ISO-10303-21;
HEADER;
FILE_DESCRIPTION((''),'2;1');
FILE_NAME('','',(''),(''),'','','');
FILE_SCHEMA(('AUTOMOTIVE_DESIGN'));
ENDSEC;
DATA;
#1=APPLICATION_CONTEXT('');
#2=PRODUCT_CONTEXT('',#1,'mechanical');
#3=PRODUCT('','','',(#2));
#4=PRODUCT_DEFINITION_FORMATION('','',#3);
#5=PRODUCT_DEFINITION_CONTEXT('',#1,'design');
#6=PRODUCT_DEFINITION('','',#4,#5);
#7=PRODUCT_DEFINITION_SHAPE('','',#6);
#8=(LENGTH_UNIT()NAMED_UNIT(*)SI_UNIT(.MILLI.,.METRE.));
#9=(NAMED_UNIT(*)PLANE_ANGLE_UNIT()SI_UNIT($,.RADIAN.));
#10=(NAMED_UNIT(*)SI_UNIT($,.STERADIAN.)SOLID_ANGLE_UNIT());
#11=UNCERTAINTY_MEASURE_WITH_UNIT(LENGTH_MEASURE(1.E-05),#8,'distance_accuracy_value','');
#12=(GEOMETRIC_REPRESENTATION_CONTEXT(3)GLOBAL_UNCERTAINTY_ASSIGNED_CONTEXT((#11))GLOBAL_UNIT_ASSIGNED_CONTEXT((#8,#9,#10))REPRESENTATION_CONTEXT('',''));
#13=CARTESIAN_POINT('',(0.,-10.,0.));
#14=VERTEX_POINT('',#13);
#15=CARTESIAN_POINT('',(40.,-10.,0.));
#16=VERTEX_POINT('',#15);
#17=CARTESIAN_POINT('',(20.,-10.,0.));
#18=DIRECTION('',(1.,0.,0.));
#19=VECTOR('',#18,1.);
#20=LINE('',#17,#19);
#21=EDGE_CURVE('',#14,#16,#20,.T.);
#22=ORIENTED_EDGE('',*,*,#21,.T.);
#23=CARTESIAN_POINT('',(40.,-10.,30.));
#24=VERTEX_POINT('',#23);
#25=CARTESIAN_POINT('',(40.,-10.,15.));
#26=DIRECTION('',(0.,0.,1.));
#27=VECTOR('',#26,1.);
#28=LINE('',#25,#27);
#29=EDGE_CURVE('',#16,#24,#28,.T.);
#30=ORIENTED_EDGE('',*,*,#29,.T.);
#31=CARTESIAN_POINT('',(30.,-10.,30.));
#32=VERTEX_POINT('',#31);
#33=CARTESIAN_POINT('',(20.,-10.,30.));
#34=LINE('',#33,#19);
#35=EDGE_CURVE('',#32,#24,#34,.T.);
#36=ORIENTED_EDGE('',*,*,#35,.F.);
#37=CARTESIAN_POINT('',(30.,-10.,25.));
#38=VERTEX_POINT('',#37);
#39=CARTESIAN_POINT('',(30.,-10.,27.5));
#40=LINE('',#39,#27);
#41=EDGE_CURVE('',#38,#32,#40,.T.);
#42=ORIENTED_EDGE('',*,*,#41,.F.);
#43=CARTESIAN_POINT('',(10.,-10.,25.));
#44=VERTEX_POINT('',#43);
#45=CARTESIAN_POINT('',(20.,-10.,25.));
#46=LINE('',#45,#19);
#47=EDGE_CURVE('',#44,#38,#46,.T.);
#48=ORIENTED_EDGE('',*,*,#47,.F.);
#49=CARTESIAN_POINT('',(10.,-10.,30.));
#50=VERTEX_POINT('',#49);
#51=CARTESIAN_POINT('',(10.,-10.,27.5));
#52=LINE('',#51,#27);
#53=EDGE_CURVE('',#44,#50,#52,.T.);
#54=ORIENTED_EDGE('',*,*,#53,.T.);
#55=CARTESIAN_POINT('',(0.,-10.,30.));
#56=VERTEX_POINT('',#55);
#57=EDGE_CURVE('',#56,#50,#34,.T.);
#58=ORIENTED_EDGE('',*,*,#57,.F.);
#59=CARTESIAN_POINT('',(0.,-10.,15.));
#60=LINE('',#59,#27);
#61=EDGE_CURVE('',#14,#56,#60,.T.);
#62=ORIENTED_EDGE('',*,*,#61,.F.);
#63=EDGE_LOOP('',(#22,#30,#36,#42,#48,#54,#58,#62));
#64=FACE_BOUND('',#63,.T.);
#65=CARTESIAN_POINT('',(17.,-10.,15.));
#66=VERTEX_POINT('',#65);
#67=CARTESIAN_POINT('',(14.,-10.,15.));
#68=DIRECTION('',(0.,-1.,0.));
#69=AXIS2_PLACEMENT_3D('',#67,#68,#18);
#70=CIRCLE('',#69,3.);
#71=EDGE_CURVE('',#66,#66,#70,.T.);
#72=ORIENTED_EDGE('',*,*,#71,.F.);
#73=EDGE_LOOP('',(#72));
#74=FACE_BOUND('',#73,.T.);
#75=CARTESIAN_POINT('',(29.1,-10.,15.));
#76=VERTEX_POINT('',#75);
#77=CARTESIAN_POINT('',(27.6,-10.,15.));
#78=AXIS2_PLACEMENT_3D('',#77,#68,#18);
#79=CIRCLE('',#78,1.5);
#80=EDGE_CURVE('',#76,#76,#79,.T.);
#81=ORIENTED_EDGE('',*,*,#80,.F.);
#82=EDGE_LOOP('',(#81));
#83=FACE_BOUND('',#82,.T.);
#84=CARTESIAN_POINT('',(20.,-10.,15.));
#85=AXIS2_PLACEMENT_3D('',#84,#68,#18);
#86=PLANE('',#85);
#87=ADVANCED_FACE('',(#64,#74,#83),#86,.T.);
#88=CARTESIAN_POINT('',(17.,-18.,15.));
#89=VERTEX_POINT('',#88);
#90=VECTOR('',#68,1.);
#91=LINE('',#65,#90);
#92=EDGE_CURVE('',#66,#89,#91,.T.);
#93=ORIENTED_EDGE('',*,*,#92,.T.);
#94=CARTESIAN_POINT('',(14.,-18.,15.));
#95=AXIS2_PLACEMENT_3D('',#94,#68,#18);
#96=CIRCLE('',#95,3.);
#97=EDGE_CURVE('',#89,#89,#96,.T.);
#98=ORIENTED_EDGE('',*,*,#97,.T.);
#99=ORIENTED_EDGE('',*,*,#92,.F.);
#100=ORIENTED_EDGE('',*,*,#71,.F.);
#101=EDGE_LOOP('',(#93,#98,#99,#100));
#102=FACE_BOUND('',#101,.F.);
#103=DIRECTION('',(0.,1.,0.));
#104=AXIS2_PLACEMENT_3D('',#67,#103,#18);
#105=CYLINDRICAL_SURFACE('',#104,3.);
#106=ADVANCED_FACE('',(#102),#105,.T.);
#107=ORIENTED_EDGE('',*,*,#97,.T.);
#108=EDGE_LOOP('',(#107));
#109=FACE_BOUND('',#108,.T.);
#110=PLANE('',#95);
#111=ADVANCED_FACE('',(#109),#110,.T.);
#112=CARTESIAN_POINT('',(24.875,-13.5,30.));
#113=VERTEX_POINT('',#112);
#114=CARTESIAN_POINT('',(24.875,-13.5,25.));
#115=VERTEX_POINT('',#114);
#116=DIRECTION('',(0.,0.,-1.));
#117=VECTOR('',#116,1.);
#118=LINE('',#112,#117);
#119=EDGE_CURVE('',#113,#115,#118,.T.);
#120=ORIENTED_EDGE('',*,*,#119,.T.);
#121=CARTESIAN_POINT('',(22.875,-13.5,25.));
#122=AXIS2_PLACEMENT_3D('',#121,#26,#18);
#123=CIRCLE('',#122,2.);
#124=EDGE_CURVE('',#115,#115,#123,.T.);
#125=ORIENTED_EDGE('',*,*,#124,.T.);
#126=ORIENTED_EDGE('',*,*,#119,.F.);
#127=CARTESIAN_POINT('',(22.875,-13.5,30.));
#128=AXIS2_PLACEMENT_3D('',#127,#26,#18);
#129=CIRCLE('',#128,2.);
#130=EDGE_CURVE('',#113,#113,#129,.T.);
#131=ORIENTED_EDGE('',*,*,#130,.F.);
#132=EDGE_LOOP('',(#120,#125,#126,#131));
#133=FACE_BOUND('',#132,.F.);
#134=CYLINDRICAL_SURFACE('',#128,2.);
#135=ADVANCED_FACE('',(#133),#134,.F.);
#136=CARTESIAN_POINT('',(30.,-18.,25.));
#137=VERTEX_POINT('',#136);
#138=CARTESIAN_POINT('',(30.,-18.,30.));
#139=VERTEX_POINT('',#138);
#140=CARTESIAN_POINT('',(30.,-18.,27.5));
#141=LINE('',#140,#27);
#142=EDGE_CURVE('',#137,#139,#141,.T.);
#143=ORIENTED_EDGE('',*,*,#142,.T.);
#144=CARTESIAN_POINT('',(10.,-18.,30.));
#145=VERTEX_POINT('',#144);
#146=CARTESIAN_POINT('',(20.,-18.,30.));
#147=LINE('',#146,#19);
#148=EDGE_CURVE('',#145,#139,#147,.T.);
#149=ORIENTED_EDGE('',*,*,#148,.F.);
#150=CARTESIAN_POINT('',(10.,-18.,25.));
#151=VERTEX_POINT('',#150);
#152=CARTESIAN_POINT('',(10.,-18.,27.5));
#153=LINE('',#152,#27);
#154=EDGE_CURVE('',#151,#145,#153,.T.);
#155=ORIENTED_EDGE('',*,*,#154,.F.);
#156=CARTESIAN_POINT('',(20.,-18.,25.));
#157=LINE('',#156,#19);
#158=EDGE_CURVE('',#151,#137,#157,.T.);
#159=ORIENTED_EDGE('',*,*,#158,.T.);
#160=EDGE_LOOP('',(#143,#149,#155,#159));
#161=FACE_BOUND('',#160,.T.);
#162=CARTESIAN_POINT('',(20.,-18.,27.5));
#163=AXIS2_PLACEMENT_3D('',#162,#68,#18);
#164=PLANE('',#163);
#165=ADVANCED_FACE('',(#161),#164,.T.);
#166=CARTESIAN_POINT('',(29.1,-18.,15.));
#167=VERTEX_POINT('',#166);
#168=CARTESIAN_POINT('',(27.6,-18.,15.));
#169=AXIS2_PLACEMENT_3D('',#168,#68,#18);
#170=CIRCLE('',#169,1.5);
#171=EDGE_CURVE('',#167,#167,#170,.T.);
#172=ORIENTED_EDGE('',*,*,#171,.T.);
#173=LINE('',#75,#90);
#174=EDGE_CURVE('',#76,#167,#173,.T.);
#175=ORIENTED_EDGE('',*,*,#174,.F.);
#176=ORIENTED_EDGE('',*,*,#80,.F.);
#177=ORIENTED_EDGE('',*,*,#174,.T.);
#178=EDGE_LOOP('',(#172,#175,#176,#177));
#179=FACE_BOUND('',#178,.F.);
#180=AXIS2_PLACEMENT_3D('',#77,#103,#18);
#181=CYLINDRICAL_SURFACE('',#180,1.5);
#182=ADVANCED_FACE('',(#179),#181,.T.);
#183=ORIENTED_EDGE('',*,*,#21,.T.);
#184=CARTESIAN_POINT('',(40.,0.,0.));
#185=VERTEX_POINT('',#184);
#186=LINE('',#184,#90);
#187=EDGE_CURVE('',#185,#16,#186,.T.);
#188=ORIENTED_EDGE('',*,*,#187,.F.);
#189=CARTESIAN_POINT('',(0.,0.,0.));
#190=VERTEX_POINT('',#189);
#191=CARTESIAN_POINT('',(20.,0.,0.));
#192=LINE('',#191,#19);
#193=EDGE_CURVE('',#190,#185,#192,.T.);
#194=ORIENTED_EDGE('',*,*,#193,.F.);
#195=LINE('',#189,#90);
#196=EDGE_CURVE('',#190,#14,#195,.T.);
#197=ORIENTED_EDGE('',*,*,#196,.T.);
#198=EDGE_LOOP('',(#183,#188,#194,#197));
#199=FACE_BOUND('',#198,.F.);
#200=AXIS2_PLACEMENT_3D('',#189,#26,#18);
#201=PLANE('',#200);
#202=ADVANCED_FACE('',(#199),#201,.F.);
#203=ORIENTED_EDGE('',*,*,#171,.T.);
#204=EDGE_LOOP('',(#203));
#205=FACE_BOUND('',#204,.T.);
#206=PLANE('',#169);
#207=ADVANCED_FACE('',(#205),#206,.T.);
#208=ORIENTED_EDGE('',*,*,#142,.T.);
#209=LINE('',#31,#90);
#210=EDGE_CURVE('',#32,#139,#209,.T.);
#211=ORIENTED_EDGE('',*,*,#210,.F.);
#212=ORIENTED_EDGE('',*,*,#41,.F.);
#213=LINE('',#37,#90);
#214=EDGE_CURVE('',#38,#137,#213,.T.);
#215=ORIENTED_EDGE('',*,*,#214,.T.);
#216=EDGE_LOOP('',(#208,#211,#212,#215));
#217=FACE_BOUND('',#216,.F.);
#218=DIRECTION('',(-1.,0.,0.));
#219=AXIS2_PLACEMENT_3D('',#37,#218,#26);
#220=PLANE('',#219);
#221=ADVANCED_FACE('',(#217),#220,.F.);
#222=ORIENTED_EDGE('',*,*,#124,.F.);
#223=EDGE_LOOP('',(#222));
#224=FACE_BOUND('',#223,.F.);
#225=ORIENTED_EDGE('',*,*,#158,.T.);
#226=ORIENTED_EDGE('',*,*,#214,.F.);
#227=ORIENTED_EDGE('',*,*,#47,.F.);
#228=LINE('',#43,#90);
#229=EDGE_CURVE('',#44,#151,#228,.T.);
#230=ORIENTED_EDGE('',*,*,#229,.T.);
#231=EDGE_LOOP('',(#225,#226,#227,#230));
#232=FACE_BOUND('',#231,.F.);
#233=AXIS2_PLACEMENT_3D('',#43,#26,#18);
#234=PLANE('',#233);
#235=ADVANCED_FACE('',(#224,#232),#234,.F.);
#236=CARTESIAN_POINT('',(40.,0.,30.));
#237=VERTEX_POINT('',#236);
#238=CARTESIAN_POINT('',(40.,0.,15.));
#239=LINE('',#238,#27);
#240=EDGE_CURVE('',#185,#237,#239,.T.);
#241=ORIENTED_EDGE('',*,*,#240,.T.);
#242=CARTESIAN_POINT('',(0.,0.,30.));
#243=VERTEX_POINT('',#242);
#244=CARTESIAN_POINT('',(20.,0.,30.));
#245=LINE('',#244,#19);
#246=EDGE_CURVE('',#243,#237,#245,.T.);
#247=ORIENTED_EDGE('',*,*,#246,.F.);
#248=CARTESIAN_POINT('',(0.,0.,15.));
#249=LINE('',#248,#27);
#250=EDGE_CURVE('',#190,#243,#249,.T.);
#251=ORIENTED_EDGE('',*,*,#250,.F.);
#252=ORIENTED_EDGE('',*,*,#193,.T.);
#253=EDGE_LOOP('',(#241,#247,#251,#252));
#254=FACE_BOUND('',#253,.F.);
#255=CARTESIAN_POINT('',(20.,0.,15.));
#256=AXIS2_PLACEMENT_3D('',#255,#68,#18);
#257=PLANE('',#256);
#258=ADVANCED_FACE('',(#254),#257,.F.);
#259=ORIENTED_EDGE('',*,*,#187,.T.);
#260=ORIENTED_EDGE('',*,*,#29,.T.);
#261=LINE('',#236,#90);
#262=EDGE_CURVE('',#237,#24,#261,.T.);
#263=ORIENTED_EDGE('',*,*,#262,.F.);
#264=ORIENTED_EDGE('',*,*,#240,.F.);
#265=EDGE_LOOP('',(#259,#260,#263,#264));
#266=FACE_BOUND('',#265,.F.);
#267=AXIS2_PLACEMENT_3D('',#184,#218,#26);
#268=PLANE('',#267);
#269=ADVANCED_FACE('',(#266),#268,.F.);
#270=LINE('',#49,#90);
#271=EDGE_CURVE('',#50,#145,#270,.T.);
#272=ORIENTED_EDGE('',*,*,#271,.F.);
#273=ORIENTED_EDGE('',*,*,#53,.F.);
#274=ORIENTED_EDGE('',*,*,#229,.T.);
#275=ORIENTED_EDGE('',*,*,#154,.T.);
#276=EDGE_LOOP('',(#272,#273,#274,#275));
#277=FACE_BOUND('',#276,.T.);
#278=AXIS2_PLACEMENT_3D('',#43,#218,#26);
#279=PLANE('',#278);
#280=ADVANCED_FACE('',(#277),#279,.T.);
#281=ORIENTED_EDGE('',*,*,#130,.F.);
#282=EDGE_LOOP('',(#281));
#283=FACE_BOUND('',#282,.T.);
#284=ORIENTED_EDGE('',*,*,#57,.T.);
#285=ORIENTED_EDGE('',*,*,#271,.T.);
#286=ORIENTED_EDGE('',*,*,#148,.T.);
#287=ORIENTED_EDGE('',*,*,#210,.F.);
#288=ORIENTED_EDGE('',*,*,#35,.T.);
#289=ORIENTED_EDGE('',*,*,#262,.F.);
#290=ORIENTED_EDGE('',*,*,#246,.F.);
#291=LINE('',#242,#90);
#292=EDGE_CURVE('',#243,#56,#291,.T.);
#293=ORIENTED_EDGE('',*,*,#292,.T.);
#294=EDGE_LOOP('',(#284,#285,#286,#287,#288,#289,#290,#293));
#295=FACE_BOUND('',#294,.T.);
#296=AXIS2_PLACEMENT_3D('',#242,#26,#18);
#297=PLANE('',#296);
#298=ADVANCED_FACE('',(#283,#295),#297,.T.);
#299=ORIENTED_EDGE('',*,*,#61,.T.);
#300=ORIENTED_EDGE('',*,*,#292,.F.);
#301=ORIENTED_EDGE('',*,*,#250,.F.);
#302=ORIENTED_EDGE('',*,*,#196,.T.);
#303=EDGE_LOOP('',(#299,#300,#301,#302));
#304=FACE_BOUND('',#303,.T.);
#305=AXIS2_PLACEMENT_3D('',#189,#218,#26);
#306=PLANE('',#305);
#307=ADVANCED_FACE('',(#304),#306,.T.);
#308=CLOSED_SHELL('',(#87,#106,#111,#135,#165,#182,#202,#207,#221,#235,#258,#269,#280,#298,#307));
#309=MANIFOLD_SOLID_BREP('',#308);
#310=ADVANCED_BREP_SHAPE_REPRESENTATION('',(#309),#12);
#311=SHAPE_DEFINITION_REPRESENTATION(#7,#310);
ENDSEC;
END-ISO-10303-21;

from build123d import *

# Parameters (mm, degrees)
F0_W     = 40
F0_H     = 30
F1_DEPTH = 10
F2_R     = 3
F2_R_2   = 1.5
F2_W     = 20
F2_H     = 5
F3_DEPTH = 8
F4_R     = 2
F5_DEPTH = 5


with BuildPart() as f1:
    # F0 (on Front) → F1 (new body)
    with BuildSketch(Plane.XZ):
        with Locations((20, 15)):
            Rectangle(F0_W, F0_H)
    extrude(amount=F1_DEPTH)

    # F2 (on face) → F3 (join)
    with BuildSketch(Plane.XZ.offset(10)):
        with Locations((14, 15)):
            Circle(F2_R)
        with Locations((27.6, 15)):
            Circle(F2_R_2)
        with Locations((20, 27.5)):
            Rectangle(F2_W, F2_H)
    extrude(amount=F3_DEPTH)

    # F4 (on face) → F5 (cut, through all)
    with BuildSketch(Plane.XY.offset(30)):
        with Locations((22.875, -13.5)):
            Circle(F4_R)
    extrude(amount=-F5_DEPTH, mode=Mode.SUBTRACT)


solid = f1.part
